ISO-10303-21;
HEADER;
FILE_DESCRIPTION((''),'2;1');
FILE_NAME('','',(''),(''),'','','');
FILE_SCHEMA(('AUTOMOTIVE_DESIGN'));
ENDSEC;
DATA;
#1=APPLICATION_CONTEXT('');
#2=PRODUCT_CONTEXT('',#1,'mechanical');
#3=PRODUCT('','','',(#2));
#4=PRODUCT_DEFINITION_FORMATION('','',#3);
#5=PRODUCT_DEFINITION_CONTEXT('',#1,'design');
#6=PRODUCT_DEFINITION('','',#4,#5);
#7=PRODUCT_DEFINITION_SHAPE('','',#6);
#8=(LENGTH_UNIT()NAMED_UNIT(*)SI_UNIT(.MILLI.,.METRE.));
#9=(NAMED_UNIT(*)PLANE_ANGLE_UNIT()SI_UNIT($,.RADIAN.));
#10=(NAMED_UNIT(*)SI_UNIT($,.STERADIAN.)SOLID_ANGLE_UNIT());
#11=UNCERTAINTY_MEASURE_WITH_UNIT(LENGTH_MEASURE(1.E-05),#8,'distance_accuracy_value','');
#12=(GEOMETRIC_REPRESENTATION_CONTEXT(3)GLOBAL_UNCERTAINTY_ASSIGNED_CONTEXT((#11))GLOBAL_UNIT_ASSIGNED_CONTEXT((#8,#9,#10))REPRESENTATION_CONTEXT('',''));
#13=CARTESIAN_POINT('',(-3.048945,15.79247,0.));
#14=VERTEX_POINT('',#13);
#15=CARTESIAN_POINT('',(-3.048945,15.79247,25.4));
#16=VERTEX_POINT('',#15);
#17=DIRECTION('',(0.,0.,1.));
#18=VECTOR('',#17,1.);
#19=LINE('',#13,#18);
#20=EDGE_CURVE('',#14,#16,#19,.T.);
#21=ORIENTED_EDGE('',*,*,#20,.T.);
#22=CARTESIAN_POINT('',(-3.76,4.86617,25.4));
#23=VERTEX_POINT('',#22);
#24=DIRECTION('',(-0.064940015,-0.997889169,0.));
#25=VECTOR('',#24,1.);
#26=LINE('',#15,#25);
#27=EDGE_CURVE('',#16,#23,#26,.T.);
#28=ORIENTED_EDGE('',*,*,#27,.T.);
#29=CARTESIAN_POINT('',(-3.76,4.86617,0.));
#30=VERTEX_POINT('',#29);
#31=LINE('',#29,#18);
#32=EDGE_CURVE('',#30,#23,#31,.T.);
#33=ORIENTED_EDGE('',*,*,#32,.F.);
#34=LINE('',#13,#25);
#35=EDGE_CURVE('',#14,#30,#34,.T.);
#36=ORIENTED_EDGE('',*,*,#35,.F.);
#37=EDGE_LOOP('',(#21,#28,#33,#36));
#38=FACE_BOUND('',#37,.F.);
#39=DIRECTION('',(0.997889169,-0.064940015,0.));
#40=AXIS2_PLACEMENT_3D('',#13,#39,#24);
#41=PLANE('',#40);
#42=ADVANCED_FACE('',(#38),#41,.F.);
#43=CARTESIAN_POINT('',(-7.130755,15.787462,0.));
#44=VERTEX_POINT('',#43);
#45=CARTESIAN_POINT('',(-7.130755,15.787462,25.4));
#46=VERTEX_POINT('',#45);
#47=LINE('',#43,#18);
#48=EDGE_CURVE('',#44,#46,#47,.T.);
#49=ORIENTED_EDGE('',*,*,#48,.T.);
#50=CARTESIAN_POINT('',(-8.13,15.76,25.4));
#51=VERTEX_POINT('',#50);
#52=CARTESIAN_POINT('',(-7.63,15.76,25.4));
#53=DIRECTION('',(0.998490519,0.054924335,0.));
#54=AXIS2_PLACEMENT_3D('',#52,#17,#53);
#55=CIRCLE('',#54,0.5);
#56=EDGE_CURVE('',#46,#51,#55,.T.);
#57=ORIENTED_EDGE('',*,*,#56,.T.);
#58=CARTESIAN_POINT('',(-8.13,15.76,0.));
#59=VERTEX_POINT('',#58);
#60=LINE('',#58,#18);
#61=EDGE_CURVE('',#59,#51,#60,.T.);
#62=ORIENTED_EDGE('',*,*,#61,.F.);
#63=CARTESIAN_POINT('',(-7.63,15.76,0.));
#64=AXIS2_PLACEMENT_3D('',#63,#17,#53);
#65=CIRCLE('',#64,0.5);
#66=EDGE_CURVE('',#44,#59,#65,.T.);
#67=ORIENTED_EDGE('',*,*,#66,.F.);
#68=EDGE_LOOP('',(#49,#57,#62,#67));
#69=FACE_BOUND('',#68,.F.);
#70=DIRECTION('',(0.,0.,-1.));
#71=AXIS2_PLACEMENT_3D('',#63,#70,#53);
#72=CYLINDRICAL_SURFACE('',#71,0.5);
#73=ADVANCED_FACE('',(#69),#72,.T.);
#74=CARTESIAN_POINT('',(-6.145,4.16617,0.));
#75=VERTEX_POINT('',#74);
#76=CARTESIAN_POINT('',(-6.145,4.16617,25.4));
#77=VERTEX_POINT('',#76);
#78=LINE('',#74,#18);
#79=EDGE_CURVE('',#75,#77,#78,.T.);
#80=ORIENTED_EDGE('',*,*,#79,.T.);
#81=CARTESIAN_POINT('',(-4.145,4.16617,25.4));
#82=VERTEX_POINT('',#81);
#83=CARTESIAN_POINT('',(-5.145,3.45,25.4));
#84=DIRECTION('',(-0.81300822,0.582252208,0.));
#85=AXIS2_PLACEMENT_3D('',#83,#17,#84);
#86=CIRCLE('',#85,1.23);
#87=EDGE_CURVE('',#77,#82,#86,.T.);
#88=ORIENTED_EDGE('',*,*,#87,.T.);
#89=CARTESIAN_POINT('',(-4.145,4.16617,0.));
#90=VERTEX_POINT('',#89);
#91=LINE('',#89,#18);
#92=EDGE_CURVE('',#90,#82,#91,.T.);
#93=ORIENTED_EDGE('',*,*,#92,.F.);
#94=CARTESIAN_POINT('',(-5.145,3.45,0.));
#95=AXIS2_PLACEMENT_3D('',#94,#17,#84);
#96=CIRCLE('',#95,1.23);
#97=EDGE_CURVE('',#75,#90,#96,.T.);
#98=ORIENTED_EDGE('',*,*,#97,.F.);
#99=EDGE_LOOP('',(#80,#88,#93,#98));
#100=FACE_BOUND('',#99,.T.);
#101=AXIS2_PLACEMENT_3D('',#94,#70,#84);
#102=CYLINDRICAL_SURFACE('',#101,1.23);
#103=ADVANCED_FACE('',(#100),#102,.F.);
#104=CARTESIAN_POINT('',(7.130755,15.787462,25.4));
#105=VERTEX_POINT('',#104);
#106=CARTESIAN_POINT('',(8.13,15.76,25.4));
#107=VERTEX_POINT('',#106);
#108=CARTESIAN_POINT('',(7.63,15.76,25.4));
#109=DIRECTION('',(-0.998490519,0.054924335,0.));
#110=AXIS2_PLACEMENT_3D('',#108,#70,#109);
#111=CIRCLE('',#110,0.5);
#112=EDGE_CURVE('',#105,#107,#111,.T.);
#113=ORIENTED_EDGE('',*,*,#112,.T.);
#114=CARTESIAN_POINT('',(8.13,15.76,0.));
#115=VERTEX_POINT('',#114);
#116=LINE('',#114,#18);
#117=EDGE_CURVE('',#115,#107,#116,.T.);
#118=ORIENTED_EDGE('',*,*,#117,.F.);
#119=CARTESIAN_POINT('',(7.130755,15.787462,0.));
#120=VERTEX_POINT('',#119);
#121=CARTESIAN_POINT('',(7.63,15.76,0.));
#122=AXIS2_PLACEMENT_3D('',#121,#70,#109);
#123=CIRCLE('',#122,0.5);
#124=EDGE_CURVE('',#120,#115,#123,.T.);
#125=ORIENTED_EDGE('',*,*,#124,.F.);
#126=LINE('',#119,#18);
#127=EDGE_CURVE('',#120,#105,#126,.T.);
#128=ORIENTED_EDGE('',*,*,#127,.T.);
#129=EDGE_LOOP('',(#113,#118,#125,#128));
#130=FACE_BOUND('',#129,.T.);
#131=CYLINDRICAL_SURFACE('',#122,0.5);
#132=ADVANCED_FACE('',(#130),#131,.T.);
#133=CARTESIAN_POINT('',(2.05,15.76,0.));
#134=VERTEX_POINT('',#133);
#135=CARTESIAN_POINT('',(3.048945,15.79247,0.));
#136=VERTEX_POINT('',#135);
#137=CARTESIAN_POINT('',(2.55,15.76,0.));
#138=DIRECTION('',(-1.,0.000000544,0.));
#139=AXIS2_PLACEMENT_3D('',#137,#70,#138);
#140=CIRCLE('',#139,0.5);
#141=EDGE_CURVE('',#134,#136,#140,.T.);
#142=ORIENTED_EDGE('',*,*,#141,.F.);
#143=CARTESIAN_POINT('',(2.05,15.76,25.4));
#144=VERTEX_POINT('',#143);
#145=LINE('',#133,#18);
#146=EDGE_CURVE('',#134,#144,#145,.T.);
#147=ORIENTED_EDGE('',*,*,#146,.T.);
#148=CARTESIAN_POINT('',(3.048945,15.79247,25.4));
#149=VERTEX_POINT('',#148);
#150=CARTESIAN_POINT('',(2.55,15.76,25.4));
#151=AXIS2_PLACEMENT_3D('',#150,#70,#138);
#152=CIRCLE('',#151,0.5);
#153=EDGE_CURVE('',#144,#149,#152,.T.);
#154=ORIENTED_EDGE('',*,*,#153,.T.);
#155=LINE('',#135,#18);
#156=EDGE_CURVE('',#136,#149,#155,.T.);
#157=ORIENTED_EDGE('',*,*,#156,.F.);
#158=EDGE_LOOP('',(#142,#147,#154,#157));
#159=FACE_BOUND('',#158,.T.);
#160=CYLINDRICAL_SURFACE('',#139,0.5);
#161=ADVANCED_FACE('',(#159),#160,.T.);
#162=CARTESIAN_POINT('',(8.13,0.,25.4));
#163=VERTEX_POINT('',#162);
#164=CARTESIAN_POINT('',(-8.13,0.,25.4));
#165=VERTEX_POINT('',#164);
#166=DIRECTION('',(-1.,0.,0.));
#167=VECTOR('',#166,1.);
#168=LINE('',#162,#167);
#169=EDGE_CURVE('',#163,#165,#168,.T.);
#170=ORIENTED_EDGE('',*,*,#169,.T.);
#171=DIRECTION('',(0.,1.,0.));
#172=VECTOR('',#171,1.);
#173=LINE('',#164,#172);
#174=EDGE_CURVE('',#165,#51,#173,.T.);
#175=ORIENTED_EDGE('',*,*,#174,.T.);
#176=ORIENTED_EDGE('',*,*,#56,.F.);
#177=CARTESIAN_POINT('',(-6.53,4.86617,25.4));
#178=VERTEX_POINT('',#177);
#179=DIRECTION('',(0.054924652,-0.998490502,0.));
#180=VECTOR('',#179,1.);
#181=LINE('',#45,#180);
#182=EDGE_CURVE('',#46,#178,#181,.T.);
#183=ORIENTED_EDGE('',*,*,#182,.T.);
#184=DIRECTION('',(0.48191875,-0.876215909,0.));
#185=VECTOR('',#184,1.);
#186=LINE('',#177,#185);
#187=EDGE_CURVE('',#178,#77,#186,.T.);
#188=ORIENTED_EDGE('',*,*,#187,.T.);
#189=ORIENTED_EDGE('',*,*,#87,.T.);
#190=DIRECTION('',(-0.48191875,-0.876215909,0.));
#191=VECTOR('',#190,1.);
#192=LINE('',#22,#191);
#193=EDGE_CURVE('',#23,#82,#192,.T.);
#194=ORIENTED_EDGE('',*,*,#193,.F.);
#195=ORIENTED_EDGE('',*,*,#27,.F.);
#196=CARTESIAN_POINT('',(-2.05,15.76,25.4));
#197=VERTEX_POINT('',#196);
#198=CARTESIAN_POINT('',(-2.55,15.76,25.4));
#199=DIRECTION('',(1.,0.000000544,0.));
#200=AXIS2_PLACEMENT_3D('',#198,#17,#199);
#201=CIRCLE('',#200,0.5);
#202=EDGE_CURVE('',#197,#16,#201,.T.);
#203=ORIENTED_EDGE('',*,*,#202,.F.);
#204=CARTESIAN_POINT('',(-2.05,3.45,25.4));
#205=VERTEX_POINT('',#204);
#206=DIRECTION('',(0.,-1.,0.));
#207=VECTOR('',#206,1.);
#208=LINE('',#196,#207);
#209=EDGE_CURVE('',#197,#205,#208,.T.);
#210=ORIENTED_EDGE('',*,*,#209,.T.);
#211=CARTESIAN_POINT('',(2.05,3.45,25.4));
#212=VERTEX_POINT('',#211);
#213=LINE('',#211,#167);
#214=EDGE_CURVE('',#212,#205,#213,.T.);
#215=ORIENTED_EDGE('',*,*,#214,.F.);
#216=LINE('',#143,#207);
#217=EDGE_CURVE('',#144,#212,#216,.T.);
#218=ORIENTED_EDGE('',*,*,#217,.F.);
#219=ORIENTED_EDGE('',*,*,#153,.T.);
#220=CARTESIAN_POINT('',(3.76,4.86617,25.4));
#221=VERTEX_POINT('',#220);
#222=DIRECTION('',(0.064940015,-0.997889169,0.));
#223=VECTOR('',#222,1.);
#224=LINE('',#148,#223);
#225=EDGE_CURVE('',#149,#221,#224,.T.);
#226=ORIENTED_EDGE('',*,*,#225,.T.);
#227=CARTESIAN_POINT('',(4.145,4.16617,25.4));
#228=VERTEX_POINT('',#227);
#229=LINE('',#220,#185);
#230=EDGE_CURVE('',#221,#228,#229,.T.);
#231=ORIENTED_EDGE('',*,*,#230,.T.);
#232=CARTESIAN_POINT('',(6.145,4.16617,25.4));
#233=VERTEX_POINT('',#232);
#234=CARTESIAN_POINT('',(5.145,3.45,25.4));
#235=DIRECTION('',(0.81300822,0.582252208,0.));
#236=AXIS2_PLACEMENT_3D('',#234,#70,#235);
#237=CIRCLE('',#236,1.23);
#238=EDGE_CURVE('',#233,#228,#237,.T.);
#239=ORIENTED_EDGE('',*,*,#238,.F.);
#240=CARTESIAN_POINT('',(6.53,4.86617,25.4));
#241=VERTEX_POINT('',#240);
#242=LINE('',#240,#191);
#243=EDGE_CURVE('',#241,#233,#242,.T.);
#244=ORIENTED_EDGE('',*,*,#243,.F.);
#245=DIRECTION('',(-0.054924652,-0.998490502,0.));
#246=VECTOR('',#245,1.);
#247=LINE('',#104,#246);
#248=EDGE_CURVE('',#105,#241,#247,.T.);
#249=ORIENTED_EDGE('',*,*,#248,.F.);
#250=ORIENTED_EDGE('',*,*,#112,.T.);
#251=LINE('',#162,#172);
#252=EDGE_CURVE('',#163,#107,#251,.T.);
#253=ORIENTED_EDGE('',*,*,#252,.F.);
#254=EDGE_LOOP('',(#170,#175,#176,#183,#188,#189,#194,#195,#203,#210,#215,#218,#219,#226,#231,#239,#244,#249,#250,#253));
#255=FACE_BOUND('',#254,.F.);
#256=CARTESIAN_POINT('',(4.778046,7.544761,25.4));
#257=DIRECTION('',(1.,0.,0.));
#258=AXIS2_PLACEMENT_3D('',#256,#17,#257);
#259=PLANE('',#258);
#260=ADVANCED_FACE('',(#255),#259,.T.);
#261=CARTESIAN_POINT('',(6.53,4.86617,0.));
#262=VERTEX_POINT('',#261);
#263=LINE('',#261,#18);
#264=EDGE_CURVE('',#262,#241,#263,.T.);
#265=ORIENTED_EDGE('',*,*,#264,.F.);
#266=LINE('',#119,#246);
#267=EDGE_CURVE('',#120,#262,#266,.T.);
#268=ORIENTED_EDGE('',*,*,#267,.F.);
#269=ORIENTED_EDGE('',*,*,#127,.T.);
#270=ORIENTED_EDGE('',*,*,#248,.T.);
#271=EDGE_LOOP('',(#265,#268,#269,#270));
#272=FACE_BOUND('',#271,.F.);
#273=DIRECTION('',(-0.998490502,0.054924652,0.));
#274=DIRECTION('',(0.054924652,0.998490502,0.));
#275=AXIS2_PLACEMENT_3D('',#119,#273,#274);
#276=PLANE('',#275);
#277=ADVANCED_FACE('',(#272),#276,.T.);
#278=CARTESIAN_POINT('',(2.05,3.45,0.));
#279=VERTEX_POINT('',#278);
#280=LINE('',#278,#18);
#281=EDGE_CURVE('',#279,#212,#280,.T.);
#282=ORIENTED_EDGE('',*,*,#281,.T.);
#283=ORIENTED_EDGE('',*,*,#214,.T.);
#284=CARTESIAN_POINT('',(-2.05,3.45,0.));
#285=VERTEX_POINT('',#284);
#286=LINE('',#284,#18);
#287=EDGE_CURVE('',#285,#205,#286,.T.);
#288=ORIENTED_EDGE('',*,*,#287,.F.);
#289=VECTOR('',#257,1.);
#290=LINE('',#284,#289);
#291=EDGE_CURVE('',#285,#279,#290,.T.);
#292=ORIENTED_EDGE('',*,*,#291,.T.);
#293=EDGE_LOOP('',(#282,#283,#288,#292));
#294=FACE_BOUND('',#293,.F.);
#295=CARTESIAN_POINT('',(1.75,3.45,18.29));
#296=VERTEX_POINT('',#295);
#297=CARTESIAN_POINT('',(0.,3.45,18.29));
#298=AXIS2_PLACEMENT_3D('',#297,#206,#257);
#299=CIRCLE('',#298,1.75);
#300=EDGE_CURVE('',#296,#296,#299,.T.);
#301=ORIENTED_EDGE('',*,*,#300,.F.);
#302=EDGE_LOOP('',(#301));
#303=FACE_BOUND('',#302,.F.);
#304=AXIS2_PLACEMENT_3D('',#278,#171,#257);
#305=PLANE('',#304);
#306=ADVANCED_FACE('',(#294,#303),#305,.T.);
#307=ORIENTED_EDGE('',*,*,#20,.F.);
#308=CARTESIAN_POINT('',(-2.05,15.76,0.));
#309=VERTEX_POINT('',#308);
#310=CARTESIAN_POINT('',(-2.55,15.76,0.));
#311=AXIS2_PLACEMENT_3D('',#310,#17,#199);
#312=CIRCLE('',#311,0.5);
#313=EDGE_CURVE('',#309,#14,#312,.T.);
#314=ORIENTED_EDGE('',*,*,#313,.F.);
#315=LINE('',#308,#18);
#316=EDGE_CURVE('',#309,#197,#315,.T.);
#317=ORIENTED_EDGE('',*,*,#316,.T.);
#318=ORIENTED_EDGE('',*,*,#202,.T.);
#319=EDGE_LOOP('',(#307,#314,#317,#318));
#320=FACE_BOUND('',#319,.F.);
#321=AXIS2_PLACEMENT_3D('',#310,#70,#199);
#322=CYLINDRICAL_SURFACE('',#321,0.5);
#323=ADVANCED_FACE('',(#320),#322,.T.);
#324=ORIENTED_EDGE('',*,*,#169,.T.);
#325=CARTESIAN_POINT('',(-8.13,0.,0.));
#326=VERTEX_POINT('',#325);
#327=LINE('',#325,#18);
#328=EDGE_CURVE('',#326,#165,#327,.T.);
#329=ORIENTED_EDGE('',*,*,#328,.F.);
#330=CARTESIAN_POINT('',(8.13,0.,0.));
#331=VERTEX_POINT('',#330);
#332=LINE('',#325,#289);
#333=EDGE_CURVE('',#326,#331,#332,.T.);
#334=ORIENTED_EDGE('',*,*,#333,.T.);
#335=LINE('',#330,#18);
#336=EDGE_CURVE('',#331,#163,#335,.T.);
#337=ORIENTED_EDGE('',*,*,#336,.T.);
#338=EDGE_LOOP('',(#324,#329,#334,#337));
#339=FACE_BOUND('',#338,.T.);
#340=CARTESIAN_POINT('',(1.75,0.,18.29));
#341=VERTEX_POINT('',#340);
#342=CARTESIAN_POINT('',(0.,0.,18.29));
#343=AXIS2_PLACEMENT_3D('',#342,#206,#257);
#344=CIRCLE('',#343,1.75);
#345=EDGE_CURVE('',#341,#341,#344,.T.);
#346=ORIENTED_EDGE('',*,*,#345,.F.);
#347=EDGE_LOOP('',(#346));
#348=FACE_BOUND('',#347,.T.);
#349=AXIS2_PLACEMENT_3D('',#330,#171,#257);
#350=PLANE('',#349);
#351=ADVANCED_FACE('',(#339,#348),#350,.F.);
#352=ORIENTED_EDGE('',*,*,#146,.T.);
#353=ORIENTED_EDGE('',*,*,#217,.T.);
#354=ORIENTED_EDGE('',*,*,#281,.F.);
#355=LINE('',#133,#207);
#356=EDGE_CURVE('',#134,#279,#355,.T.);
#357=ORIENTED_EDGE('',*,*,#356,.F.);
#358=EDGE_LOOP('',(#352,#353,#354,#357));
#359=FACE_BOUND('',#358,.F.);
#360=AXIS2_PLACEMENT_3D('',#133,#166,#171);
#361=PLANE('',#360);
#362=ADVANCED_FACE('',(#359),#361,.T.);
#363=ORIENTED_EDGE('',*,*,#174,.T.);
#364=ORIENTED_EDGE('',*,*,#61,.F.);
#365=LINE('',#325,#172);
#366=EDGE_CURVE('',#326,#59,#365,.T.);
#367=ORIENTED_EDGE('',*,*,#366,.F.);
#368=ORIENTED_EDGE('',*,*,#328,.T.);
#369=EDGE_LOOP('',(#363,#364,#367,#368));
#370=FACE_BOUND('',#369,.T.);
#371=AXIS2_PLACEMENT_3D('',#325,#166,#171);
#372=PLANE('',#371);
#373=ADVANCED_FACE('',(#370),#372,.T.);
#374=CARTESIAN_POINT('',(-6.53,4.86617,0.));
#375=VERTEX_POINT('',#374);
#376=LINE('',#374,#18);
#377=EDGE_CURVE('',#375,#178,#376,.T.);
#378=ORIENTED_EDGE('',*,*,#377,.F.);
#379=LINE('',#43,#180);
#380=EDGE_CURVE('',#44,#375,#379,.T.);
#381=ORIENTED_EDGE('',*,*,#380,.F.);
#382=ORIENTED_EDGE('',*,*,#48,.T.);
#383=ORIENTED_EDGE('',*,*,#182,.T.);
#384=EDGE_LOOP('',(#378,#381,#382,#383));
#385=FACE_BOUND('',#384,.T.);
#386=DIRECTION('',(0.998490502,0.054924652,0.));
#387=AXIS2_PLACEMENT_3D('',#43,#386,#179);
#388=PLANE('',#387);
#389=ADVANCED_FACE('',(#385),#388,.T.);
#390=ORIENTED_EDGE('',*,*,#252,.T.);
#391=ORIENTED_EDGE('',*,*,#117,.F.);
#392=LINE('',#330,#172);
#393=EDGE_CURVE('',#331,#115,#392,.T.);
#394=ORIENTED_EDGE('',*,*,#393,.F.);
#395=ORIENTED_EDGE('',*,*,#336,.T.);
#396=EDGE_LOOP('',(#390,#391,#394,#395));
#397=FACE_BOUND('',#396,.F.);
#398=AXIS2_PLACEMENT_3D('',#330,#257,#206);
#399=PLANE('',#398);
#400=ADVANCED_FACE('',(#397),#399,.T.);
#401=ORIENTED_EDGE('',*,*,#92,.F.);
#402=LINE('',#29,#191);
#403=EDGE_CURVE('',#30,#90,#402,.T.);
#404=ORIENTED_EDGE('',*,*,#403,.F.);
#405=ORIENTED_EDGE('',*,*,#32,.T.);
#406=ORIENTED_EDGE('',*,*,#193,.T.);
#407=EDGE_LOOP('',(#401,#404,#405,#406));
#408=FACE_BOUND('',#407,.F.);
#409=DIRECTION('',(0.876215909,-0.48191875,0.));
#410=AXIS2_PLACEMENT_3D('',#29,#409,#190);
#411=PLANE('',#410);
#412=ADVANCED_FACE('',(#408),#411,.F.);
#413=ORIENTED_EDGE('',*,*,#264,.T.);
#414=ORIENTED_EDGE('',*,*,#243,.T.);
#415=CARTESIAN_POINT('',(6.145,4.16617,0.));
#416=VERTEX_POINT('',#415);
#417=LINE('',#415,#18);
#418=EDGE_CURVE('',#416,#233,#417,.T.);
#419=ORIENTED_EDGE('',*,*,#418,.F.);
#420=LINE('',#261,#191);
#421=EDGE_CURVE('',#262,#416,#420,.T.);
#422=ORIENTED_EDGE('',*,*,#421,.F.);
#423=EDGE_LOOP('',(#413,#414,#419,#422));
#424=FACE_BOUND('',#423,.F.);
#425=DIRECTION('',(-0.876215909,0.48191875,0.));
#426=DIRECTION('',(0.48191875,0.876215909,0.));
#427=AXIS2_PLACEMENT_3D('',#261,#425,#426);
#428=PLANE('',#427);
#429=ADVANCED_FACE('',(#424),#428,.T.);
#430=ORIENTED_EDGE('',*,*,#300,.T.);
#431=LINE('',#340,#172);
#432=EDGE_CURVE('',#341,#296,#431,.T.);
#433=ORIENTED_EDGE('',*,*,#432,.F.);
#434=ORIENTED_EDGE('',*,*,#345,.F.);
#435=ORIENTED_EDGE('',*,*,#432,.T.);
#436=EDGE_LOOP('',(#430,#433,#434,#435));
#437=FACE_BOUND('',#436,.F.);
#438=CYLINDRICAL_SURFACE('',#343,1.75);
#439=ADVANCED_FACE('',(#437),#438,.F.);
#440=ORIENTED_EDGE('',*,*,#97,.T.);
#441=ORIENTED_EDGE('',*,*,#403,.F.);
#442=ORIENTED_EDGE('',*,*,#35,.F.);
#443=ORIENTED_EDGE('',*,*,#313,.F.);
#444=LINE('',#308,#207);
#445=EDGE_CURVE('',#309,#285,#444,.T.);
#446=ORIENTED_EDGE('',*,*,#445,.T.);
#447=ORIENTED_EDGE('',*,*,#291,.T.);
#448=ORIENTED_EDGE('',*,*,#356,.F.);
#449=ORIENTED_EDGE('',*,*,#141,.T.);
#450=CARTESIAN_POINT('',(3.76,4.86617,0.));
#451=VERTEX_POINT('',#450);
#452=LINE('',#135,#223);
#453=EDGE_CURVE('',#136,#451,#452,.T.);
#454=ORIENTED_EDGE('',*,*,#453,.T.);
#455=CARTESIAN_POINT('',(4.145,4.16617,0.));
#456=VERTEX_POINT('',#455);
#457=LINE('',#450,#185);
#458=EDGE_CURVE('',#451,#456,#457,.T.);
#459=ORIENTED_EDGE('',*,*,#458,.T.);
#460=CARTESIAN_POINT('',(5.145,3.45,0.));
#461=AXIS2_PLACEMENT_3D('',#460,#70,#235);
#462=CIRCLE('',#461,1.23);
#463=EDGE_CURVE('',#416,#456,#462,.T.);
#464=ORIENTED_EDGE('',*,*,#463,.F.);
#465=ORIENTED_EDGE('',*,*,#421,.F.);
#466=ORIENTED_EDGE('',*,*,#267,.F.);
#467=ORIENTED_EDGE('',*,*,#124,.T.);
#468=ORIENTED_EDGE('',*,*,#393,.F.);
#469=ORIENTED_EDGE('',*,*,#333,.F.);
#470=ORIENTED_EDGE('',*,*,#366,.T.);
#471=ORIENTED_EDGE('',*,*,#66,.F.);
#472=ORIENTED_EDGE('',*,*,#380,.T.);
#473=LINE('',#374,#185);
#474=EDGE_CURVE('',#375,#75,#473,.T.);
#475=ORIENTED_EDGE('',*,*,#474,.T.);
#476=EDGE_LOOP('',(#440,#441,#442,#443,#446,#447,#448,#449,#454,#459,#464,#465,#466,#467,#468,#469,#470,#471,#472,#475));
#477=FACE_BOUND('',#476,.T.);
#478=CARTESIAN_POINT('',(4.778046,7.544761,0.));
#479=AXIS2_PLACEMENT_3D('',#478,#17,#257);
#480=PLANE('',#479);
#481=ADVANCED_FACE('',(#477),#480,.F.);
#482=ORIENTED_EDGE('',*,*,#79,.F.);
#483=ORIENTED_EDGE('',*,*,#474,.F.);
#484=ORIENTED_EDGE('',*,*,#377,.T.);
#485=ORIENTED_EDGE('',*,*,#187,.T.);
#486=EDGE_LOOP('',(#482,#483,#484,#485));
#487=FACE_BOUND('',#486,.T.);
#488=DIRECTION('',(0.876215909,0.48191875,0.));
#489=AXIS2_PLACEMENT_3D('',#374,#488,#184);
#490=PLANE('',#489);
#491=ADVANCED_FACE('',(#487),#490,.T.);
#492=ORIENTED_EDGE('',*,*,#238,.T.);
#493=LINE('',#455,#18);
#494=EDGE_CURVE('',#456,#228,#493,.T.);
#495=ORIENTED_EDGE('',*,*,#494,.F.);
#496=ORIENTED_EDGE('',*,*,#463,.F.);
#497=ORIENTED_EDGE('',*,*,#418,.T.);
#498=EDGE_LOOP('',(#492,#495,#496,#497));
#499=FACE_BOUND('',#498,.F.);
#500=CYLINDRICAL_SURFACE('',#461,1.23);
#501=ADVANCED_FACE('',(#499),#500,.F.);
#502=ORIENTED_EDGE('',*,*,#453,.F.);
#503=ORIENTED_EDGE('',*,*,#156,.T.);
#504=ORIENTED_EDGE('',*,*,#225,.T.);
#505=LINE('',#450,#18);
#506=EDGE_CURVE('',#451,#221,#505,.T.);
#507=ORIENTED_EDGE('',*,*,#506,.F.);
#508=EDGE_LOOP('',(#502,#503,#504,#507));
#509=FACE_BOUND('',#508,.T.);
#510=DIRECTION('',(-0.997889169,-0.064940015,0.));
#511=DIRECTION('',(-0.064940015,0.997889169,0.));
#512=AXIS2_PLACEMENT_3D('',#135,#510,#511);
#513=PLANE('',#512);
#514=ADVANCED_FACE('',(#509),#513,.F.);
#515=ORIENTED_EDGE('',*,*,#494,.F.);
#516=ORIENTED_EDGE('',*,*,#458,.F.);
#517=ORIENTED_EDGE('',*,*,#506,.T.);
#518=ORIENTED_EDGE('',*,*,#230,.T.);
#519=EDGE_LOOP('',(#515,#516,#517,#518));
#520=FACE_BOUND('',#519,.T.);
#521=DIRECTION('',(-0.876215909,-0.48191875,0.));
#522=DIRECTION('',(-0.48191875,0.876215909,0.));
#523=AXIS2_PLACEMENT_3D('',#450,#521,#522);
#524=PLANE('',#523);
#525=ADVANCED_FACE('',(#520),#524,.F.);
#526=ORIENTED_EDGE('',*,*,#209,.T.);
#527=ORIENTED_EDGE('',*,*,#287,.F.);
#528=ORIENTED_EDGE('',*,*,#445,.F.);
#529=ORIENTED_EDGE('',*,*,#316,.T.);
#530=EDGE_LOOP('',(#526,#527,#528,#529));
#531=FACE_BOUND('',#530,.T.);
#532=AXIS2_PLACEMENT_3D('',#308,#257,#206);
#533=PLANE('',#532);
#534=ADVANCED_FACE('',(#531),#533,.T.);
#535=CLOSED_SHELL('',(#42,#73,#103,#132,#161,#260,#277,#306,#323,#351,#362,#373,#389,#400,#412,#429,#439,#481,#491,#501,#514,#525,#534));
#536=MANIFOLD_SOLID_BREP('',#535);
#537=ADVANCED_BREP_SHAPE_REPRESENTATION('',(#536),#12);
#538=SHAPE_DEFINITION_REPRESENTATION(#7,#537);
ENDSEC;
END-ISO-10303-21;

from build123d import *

# Parameters (mm, degrees)
PAD_DEPTH       = 25.4
SKETCH002_R     = 1.75
POCKET001_DEPTH = 16.261


with BuildPart() as part:
    # Sketch → Pad (new body)
    with BuildSketch(Plane.XY):
        with BuildLine():
            Line((-8.13, 0), (0, 0))
            Line((0, 0), (0, 3.45))
            Line((-2.05, 3.45), (0, 3.45))
            Line((-2.05, 15.76), (-2.05, 3.45))
            ThreePointArc((-2.05, 15.76), (-2.533756, 16.259736), (-3.048945, 15.79247))
            Line((-3.048945, 15.79247), (-3.76, 4.86617))
            Line((-3.76, 4.86617), (-4.145, 4.16617))
            ThreePointArc((-6.145, 4.16617), (-5.145, 2.22), (-4.145, 4.16617))
            Line((-6.53, 4.86617), (-6.145, 4.16617))
            Line((-7.130755, 15.787462), (-6.53, 4.86617))
            ThreePointArc((-7.130755, 15.787462), (-7.643736, 16.259811), (-8.13, 15.76))
            Line((-8.13, 0), (-8.13, 15.76))
        make_face()
    pad = extrude(amount=PAD_DEPTH)

    # Mirrored: Pad across Sketch V_Axis
    add(pad.mirror(Plane(origin=(0, 0, 0), x_dir=(0, 0, 1), z_dir=(1, 0, 0))))

    # Sketch002 → Pocket001 (cut, through all)
    with BuildSketch(Plane.XZ):
        with Locations((0, 18.29)):
            Circle(SKETCH002_R)
    extrude(amount=-POCKET001_DEPTH, mode=Mode.SUBTRACT)


solid = part.part
